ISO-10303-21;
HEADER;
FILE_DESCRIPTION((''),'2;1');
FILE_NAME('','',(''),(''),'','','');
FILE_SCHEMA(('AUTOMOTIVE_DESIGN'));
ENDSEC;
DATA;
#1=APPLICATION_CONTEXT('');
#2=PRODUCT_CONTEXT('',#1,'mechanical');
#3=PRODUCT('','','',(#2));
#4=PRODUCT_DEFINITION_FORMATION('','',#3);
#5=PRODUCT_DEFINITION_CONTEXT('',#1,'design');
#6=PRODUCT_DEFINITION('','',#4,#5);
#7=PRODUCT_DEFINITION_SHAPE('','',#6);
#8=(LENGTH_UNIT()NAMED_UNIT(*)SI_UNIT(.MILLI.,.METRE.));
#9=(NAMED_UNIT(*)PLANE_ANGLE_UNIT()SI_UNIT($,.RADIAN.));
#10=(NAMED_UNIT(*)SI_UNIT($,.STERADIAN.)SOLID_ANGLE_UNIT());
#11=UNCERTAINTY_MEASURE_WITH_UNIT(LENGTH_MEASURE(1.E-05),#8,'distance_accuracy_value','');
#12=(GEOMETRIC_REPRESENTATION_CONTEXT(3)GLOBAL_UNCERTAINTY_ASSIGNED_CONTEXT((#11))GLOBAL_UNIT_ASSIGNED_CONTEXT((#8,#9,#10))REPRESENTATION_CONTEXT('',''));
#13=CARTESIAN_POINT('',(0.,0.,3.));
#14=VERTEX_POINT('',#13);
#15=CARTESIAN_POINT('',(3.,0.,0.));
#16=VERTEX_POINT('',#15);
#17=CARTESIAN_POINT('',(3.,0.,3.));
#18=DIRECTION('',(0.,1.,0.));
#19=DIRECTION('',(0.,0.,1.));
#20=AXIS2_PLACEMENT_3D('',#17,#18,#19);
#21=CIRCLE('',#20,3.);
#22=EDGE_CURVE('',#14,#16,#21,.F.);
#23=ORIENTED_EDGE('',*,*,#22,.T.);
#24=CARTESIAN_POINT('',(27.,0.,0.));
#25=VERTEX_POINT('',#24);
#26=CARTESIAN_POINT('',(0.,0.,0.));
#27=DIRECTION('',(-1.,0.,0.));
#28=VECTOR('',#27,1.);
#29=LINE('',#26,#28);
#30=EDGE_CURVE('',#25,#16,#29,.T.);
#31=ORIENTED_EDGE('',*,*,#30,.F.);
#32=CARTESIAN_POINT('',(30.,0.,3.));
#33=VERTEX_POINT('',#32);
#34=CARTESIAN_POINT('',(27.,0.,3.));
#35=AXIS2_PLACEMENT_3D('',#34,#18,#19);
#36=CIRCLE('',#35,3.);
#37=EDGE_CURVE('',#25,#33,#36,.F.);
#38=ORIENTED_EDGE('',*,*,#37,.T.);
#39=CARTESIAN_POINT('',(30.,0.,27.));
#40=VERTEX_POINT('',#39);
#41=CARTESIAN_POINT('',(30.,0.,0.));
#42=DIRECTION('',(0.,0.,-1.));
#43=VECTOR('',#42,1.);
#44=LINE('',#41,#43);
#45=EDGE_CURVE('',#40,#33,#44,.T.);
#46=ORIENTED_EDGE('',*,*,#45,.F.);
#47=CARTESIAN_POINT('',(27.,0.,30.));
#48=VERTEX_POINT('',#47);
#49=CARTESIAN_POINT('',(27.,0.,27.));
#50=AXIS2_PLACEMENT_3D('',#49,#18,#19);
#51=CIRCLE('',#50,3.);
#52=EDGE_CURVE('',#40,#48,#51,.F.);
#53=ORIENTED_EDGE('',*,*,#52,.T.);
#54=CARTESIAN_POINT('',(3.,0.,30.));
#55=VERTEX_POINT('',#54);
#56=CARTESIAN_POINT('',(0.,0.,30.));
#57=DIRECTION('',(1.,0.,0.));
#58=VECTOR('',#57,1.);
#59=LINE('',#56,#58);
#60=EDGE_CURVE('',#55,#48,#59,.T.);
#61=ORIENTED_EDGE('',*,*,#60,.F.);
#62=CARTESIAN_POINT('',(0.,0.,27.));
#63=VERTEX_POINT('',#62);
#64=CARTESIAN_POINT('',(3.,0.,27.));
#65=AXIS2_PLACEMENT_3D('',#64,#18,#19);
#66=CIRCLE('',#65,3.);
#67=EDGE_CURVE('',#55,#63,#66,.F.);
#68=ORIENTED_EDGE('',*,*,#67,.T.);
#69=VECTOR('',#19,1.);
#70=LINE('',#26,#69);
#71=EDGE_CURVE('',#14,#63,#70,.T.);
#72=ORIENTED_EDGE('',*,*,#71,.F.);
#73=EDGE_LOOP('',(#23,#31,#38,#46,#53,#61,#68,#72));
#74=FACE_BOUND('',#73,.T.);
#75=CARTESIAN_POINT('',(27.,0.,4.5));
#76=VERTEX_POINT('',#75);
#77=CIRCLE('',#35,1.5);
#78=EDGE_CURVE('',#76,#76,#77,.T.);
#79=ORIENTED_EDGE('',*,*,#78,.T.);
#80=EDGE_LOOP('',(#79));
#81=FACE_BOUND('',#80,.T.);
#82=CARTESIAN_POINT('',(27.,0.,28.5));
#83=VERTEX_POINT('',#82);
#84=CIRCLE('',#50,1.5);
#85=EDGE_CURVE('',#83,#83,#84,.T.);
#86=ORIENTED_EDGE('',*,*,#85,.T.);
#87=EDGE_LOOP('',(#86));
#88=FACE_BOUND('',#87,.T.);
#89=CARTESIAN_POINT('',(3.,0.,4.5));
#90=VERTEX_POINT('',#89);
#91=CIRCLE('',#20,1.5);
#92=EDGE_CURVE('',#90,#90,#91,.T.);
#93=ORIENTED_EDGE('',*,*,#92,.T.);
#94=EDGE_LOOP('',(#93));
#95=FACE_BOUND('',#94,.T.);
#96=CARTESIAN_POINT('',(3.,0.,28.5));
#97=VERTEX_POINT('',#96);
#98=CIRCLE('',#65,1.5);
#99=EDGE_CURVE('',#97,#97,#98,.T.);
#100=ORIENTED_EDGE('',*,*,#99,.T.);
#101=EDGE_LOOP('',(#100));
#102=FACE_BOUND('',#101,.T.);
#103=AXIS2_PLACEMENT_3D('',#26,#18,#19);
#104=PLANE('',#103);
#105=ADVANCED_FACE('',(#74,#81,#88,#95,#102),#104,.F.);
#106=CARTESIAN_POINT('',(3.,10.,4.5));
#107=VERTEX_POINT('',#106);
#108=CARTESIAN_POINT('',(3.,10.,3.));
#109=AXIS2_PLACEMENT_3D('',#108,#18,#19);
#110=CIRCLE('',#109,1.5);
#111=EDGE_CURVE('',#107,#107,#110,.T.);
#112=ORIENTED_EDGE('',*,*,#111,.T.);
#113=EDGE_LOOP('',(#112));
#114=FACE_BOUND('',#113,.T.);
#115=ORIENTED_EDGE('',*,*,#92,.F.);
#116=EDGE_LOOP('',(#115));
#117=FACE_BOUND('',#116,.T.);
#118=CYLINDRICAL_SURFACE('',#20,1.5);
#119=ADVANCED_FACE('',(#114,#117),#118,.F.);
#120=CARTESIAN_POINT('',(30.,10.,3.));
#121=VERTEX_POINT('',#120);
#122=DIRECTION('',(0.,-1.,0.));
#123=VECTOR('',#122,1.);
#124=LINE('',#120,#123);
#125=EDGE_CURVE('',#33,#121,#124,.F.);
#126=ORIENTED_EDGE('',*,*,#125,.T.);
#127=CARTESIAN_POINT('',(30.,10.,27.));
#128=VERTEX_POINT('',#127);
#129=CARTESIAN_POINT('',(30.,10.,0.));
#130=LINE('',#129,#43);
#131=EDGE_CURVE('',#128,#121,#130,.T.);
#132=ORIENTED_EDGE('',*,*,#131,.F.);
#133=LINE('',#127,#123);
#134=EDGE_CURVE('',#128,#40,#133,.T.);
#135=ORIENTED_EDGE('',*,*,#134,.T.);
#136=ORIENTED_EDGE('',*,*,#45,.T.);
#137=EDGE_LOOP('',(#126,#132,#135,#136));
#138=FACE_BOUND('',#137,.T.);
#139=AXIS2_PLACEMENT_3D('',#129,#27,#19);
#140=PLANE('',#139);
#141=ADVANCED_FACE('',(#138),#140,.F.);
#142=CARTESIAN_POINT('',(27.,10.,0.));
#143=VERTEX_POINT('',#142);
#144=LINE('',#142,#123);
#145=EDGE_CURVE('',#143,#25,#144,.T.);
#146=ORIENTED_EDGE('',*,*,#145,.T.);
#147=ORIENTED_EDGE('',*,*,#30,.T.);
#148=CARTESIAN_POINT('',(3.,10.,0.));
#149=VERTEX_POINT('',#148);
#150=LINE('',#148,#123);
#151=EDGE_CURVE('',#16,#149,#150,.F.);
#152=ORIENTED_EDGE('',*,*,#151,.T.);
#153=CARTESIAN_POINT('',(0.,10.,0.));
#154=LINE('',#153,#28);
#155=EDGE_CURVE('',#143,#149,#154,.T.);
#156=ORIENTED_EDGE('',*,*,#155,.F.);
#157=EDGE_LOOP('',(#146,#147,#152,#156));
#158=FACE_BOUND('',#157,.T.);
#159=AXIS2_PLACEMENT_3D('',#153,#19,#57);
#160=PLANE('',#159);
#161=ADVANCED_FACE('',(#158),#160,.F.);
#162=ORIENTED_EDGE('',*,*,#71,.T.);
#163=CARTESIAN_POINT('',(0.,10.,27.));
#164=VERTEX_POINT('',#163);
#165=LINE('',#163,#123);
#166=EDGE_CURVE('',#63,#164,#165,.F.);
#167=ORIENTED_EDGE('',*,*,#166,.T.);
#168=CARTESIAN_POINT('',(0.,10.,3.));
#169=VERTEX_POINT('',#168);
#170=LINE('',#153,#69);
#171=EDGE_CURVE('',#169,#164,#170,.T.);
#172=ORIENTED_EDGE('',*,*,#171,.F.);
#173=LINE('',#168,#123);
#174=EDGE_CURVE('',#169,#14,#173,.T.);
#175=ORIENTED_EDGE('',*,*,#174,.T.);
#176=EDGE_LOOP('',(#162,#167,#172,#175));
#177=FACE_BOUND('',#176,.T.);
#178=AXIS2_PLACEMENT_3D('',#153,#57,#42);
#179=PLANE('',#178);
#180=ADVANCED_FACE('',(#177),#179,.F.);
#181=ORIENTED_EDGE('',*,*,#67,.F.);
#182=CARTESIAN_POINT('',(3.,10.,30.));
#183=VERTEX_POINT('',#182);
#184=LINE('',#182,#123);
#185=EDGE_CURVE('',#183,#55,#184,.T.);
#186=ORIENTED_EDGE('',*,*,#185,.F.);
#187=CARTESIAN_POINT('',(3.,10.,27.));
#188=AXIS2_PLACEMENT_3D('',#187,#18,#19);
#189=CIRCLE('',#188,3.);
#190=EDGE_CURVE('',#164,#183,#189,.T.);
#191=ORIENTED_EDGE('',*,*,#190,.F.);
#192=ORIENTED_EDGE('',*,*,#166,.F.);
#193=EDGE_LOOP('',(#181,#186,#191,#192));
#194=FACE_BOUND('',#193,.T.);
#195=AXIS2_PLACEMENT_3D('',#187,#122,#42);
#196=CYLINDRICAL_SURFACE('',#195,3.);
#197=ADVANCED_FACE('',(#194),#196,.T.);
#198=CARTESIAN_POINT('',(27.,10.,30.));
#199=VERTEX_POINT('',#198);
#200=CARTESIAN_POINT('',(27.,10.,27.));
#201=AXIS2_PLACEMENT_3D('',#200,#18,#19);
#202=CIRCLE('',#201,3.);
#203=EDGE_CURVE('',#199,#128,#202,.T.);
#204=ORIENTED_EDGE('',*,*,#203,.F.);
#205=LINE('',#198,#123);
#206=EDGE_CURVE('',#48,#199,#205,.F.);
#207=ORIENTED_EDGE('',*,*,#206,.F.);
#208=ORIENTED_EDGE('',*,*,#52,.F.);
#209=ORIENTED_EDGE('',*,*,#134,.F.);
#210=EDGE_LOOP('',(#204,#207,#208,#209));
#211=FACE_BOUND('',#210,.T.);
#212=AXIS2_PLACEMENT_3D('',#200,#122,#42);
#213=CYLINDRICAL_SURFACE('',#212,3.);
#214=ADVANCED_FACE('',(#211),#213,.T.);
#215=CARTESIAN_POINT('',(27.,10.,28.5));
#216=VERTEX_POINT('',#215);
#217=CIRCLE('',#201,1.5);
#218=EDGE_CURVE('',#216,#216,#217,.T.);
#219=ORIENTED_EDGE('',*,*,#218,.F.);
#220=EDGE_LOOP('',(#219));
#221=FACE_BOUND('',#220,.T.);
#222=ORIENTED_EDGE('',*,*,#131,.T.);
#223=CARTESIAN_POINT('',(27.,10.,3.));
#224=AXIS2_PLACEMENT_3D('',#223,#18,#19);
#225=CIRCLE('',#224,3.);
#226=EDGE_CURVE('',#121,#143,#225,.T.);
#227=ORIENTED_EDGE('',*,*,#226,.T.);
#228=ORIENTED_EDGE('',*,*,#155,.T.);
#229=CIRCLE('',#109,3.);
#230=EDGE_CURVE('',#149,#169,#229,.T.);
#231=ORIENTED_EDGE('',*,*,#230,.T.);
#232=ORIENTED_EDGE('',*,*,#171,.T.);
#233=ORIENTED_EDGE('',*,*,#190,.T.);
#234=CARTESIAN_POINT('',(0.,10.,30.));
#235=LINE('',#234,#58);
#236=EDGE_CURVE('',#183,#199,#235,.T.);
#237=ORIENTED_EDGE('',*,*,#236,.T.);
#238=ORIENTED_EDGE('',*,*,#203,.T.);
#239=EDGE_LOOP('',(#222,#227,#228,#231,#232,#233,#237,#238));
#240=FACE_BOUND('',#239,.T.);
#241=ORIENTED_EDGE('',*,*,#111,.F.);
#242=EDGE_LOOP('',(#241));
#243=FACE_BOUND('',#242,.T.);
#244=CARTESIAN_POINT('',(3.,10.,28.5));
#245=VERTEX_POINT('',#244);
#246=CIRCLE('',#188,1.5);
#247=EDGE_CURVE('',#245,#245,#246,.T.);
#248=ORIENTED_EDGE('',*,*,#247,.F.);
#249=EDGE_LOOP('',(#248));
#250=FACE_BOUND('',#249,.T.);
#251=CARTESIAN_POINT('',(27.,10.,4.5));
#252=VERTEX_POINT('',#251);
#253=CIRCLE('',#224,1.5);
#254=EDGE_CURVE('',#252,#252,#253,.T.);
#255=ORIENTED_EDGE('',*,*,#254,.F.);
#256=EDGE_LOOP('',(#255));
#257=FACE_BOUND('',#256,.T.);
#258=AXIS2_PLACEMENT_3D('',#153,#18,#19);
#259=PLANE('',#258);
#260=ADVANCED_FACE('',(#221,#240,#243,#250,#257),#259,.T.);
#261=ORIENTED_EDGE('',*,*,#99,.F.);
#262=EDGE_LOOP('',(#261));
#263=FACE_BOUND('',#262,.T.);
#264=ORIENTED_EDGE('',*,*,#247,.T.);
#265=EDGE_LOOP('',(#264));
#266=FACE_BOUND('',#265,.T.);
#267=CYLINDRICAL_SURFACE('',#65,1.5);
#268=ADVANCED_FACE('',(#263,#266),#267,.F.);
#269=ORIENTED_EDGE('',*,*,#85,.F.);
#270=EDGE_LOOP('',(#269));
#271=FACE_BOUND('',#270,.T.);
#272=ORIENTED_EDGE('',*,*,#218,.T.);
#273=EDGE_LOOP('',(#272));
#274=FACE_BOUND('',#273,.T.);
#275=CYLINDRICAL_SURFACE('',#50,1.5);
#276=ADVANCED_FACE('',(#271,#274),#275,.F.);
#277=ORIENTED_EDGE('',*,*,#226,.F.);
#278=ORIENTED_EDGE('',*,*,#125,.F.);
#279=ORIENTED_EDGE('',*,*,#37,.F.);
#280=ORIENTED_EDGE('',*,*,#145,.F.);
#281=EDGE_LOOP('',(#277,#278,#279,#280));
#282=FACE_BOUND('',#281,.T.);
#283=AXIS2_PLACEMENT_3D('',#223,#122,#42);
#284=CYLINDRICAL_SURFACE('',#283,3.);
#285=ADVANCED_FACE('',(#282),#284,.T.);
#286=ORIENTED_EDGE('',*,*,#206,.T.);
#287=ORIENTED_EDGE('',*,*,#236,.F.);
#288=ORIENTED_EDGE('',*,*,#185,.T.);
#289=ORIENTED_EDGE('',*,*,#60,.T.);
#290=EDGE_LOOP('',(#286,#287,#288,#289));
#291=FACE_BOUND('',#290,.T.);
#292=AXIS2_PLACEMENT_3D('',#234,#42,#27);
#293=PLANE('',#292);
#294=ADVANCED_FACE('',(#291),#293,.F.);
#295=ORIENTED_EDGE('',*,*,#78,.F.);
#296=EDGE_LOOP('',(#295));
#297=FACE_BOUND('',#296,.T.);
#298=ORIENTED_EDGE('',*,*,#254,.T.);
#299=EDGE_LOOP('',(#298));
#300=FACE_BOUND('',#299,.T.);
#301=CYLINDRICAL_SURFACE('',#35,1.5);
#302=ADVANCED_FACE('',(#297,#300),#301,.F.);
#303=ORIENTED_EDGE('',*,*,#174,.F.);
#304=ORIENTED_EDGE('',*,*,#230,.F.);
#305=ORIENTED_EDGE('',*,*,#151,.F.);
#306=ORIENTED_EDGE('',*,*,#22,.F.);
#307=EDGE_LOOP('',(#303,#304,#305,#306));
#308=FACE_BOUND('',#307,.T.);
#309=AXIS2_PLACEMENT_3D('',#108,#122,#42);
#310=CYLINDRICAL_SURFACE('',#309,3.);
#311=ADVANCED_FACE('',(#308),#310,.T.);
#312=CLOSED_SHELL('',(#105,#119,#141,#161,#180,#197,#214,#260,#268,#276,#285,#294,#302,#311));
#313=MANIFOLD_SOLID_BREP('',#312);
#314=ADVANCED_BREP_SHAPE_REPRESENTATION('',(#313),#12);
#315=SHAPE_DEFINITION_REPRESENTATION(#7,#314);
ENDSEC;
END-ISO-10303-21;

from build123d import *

# Parameters (mm, degrees)
SKETCH1_W           = 30
SKETCH1_H           = 30
BOSS_EXTRUDE1_DEPTH = 10
SKETCH2_R           = 1.5
CUT_EXTRUDE1_DEPTH  = 10
FILLET1_R           = 3


with BuildPart() as part:
    # Sketch1 → Boss-Extrude1 (new body)
    with BuildSketch(Plane(origin=(0, 0, 0), x_dir=(1, 0, 0), z_dir=(0, 1, 0))):
        with Locations((15, -15)):
            Rectangle(SKETCH1_W, SKETCH1_H)
    extrude(amount=BOSS_EXTRUDE1_DEPTH)

    # Sketch2 → Cut-Extrude1 (cut)
    with BuildSketch(Plane(origin=(0, 10, 0), x_dir=(1, 0, 0), z_dir=(0, 1, 0))):
        with Locations(Location((3, -3, 0), (0, 0, 270))):
            Circle(SKETCH2_R)
        with Locations(Location((27, -3, 0), (0, 0, 270))):
            Circle(SKETCH2_R)
        with Locations(Location((27, -27, 0), (0, 0, 270))):
            Circle(SKETCH2_R)
        with Locations(Location((3, -27, 0), (0, 0, 270))):
            Circle(SKETCH2_R)
    extrude(amount=-CUT_EXTRUDE1_DEPTH, mode=Mode.SUBTRACT)

    # Fillet1
    fillet1_edges = [part.edges().sort_by_distance(p)[0] for p in [
        (0, 5, 0),
        (30, 5, 0),
        (30, 5, 30),
        (0, 5, 30),
    ]]
    fillet(fillet1_edges, radius=FILLET1_R)


solid = part.part
